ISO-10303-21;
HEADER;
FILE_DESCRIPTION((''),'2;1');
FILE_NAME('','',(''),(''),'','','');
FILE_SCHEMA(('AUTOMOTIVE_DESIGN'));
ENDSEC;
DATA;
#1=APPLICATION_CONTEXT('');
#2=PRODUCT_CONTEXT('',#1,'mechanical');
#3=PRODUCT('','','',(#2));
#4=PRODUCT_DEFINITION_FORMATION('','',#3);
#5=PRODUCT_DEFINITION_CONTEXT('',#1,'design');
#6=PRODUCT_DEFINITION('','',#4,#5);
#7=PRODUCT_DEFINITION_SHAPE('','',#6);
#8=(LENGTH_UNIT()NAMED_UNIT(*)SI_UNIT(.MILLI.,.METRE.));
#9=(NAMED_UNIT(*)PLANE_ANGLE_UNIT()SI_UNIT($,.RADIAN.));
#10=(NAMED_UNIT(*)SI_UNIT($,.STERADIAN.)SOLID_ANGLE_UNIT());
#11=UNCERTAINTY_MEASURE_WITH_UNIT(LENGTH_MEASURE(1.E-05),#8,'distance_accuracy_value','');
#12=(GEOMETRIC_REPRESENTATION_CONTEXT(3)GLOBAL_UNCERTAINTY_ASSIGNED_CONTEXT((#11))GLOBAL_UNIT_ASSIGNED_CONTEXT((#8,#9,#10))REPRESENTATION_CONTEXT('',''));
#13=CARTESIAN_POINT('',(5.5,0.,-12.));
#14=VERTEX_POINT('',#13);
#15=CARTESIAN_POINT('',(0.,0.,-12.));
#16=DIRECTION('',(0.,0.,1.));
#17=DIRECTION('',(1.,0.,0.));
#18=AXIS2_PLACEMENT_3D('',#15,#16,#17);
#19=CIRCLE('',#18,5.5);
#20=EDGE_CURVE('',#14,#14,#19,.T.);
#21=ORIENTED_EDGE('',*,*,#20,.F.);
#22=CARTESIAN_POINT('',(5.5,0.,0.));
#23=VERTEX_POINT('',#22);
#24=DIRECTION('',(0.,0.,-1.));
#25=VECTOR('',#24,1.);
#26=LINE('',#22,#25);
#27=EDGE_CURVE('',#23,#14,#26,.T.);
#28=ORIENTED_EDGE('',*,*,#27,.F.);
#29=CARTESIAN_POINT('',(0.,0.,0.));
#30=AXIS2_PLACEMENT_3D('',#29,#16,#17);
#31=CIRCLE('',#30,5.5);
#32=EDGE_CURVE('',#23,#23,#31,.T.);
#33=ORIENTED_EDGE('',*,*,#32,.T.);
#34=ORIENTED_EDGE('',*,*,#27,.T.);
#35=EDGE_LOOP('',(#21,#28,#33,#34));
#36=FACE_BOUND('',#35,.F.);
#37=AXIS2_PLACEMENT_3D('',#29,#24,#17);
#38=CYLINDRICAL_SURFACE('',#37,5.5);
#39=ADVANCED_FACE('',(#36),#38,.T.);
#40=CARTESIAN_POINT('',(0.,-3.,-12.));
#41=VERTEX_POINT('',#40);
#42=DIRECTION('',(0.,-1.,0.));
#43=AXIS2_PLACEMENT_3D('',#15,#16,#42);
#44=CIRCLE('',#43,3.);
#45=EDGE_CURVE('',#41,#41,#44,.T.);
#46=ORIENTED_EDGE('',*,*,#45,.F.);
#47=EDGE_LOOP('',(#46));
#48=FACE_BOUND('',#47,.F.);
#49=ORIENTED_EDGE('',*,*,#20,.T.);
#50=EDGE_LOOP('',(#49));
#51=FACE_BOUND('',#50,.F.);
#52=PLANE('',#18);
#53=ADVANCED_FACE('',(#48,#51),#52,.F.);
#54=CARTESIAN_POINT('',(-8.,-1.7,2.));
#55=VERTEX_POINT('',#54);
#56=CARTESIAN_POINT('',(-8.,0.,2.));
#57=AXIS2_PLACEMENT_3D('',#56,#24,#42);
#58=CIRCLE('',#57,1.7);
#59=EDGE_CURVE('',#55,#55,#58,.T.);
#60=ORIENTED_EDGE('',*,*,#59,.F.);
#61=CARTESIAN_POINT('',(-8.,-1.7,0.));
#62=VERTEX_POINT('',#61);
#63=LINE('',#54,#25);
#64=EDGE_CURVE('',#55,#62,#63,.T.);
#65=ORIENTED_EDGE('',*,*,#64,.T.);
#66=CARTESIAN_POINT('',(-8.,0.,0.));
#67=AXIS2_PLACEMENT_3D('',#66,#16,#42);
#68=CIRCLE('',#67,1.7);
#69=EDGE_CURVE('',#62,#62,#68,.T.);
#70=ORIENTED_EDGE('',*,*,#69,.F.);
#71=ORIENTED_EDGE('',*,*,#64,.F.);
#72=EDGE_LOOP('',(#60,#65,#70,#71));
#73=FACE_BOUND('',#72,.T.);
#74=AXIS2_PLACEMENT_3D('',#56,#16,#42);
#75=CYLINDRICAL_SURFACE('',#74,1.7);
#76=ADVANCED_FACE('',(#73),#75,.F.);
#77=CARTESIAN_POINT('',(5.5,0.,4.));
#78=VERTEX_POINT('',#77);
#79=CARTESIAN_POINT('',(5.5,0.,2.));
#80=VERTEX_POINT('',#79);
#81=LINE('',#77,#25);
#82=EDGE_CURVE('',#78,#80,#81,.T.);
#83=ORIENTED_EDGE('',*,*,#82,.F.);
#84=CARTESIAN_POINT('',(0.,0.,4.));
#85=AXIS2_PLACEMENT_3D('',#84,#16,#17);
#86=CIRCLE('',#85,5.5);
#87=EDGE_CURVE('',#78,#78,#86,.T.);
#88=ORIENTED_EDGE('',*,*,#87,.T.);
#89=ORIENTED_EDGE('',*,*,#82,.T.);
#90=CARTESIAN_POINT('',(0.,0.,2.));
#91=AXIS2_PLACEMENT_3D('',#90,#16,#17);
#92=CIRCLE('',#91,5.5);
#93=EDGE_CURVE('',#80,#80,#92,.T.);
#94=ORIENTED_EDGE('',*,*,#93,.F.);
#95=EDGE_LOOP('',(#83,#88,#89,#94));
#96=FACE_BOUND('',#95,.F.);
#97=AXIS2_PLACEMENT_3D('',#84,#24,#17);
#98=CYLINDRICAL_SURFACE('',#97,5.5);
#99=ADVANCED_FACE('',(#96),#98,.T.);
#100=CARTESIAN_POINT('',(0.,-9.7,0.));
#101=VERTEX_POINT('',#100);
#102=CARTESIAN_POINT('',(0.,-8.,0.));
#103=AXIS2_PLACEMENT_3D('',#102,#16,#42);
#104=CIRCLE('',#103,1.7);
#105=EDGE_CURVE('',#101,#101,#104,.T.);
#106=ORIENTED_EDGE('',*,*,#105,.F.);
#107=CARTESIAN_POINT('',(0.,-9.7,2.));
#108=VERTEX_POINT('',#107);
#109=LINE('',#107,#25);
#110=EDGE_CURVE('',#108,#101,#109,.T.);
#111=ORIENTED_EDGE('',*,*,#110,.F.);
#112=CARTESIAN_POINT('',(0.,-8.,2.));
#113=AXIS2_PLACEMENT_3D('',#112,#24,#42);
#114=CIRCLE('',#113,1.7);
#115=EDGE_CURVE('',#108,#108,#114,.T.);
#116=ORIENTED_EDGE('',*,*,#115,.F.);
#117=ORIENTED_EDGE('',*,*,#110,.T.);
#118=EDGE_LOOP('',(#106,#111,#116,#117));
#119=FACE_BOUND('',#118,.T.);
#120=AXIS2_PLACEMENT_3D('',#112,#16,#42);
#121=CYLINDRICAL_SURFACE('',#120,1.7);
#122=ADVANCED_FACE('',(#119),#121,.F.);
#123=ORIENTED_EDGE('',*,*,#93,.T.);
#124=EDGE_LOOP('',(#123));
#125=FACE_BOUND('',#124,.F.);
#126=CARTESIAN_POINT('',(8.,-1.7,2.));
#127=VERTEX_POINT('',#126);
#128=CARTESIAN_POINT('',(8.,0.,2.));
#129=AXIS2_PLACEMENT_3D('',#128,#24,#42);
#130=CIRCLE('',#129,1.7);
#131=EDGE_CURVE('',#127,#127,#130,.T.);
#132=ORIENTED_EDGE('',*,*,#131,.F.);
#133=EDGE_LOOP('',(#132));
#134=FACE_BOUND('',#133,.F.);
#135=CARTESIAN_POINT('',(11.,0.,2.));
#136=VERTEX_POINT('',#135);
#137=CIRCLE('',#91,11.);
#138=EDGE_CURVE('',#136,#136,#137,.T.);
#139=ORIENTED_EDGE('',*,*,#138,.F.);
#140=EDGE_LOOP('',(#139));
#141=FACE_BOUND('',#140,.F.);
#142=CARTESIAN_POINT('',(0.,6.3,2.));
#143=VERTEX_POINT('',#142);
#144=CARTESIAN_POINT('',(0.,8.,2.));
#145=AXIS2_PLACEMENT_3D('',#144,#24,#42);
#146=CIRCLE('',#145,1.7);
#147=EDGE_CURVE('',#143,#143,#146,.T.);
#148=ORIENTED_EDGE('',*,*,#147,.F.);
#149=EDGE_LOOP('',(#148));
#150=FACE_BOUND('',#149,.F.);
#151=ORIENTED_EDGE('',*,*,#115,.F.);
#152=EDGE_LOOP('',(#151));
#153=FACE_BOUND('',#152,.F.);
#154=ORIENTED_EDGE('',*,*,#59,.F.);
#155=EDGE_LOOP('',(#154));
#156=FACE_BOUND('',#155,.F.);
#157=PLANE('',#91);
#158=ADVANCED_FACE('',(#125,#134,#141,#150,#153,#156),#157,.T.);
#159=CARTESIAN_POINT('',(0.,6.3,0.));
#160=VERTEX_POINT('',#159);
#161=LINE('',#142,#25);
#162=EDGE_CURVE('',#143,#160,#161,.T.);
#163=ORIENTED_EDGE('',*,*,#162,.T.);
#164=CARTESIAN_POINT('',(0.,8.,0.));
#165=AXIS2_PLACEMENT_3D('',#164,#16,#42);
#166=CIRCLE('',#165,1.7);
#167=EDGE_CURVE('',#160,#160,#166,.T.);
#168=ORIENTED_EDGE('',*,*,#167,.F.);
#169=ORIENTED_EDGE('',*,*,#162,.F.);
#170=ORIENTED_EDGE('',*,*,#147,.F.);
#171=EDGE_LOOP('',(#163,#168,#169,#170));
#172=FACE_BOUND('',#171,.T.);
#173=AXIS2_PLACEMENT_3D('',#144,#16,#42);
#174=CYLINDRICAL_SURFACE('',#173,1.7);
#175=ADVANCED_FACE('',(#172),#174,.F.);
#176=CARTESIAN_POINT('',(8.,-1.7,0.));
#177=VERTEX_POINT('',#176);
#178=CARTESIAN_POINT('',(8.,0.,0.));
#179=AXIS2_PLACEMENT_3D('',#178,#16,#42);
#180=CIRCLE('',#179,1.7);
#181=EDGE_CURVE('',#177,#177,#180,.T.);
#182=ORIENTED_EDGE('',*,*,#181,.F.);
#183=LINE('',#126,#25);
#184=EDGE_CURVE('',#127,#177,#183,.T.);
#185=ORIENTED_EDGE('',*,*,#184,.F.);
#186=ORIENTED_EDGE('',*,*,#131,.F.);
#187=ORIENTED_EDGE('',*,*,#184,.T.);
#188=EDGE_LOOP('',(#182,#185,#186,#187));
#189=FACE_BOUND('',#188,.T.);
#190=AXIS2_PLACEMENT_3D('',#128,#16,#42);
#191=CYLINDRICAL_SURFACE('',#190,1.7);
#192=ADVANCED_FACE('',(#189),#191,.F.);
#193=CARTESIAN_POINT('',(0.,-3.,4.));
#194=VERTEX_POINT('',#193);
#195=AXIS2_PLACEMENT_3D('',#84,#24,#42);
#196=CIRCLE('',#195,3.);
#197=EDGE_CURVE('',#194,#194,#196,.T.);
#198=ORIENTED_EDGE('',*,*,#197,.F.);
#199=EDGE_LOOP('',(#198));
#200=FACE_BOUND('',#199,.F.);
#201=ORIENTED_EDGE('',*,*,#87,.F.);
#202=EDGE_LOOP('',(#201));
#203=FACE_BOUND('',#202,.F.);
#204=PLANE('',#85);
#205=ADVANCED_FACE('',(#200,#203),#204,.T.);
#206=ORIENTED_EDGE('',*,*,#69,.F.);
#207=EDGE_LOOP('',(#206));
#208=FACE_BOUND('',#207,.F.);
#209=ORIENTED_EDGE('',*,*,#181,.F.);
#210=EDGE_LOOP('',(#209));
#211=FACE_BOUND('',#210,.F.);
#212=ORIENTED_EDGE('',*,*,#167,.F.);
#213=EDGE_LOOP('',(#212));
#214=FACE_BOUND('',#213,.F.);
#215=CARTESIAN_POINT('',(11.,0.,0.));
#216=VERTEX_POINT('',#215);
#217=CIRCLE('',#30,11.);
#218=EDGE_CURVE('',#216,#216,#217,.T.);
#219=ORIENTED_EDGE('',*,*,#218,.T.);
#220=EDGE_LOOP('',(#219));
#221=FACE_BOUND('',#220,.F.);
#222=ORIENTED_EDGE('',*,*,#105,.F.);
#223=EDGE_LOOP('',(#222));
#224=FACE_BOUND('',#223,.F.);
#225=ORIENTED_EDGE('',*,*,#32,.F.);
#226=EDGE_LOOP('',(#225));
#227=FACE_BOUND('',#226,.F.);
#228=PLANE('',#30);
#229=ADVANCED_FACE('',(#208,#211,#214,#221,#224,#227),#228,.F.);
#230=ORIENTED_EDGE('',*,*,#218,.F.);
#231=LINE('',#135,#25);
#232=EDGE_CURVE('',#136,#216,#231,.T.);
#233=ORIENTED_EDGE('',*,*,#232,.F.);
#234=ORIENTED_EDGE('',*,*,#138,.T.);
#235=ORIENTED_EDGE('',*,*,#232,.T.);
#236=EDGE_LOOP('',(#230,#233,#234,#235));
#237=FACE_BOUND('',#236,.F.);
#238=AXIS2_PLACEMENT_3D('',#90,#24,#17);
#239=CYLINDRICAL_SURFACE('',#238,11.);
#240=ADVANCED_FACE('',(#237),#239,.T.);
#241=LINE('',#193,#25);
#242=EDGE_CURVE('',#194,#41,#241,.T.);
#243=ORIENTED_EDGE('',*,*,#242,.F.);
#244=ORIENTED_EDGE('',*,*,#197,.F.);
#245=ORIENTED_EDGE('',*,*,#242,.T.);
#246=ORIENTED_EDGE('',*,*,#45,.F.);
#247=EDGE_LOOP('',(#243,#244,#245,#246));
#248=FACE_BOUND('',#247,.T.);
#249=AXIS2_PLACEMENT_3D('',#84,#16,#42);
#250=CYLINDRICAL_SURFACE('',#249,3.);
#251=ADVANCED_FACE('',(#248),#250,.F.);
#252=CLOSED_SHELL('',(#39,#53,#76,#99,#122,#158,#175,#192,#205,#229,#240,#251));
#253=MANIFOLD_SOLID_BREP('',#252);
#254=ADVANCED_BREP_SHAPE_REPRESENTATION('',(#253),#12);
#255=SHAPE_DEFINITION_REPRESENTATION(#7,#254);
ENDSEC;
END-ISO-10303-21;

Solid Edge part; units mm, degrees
sketch "Sketch1" plane through (0, 0, 0) normal (0, -1, 0) x (1, 0, 0)
  line L0 (0, 4) -> (5.5, 4)
  line L1 (5.5, 4) -> (5.5, 2)
  line L2 (5.5, 2) -> (11, 2)
  line L3 (11, 2) -> (11, 0)
  line L4 (11, 0) -> (5.5, 0)
  line L5 (5.5, 0) -> (5.5, -12)
  line L6 (5.5, -12) -> (0, -12)
  dimension "D1" = 16
  dimension "D2" = 2
  dimension "D3" = 12
revolve "RevolvedProtrusion1" add sketch "Sketch1" angle 360 about axis through (0, 0, -12) along (0, 0, 1)
hole "Hole1" at (0, 0, 4) direction (0, 0, -1) diameter 6 end up to next
hole "Hole_2" at (-8, 0, 2) direction (0, 0, -1) diameter 3.4 end up to next
hole "Hole2" at (8, 0, 2) direction (0, 0, -1) diameter 3.4 end up to next
hole "Hole3" at (0, 8, 2) direction (0, 0, -1) diameter 3.4 end up to next
hole "Hole4" at (0, -8, 2) direction (0, 0, -1) diameter 3.4 end up to next
properties part number "A2.N2" material "Brass, yellow brass"
